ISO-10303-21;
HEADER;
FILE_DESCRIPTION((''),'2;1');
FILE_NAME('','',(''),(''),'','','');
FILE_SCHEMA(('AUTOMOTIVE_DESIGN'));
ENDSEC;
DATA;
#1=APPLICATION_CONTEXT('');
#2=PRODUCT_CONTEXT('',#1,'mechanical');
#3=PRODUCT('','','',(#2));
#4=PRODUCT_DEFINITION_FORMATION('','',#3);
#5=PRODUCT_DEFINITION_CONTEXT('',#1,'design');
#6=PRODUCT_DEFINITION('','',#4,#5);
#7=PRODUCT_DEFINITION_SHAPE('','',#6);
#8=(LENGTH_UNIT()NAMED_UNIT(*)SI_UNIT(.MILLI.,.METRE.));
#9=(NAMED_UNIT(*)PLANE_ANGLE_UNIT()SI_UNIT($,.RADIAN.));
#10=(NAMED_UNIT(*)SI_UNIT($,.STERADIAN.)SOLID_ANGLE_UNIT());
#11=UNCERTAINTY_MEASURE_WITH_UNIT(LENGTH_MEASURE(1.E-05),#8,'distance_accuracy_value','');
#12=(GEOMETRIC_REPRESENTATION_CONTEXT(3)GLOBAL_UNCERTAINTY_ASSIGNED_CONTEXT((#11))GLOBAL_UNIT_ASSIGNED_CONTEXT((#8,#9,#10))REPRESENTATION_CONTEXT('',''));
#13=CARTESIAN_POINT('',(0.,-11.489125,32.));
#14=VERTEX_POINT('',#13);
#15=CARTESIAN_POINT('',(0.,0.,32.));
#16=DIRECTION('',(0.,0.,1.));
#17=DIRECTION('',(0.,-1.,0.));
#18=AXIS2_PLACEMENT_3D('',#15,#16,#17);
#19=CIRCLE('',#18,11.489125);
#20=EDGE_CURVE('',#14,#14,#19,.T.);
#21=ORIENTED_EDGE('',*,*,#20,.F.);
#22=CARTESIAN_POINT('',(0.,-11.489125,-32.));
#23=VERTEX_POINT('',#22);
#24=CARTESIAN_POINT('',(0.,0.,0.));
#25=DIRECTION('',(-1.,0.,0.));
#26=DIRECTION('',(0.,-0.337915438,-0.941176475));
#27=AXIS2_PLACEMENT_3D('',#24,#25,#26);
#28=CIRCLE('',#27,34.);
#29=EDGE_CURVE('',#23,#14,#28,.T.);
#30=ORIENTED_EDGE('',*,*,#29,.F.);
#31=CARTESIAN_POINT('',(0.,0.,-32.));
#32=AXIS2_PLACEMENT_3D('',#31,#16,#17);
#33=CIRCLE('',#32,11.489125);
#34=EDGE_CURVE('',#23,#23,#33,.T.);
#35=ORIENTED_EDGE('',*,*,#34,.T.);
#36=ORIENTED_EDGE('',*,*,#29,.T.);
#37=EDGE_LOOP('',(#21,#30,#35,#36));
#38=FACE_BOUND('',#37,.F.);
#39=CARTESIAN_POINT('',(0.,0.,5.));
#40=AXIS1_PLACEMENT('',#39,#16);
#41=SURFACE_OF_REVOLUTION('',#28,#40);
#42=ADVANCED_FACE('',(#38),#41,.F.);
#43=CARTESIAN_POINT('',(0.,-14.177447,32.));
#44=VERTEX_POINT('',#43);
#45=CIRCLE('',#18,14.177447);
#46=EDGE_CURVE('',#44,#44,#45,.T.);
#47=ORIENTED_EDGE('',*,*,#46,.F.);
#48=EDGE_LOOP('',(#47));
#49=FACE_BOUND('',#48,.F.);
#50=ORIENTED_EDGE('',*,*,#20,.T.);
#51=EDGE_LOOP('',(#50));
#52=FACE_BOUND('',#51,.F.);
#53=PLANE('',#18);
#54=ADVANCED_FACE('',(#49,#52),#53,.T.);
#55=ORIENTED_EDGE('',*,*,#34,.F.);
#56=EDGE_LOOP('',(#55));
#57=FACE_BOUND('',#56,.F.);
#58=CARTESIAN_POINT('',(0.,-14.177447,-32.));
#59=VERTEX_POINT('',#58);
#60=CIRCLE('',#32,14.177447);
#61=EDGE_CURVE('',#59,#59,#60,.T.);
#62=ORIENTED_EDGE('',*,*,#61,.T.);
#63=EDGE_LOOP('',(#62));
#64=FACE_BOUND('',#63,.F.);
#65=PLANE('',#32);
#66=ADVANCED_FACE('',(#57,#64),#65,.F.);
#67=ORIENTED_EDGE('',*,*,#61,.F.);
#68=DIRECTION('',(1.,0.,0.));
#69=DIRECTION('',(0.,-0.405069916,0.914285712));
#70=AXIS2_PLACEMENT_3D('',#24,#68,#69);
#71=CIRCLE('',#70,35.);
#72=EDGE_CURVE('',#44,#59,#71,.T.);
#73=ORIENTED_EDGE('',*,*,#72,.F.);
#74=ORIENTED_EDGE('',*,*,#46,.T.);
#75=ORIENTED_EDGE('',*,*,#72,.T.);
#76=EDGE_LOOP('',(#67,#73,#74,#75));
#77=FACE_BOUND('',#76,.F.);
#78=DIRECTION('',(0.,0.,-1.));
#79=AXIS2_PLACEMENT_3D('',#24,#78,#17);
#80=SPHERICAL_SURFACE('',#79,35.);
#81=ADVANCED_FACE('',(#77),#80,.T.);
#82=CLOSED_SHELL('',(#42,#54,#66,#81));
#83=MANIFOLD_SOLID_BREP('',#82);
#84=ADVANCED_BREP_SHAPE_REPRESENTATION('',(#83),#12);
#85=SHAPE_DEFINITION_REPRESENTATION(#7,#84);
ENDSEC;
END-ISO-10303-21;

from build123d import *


with BuildPart() as f2:
    # F0 (on Right) → F2 (revolve)
    with BuildSketch(Plane.YZ):
        with BuildLine():
            Line((-11.489125, 32), (-14.177447, 32))
            ThreePointArc((-14.177447, 32), (-35, 0), (-14.177447, -32))
            Line((-14.177447, -32), (-11.489125, -32))
            ThreePointArc((-11.489125, -32), (-34, 0), (-11.489125, 32))
        make_face()
    revolve(axis=Axis((0, 0, 5), (0, 0, 1)))


solid = f2.part
